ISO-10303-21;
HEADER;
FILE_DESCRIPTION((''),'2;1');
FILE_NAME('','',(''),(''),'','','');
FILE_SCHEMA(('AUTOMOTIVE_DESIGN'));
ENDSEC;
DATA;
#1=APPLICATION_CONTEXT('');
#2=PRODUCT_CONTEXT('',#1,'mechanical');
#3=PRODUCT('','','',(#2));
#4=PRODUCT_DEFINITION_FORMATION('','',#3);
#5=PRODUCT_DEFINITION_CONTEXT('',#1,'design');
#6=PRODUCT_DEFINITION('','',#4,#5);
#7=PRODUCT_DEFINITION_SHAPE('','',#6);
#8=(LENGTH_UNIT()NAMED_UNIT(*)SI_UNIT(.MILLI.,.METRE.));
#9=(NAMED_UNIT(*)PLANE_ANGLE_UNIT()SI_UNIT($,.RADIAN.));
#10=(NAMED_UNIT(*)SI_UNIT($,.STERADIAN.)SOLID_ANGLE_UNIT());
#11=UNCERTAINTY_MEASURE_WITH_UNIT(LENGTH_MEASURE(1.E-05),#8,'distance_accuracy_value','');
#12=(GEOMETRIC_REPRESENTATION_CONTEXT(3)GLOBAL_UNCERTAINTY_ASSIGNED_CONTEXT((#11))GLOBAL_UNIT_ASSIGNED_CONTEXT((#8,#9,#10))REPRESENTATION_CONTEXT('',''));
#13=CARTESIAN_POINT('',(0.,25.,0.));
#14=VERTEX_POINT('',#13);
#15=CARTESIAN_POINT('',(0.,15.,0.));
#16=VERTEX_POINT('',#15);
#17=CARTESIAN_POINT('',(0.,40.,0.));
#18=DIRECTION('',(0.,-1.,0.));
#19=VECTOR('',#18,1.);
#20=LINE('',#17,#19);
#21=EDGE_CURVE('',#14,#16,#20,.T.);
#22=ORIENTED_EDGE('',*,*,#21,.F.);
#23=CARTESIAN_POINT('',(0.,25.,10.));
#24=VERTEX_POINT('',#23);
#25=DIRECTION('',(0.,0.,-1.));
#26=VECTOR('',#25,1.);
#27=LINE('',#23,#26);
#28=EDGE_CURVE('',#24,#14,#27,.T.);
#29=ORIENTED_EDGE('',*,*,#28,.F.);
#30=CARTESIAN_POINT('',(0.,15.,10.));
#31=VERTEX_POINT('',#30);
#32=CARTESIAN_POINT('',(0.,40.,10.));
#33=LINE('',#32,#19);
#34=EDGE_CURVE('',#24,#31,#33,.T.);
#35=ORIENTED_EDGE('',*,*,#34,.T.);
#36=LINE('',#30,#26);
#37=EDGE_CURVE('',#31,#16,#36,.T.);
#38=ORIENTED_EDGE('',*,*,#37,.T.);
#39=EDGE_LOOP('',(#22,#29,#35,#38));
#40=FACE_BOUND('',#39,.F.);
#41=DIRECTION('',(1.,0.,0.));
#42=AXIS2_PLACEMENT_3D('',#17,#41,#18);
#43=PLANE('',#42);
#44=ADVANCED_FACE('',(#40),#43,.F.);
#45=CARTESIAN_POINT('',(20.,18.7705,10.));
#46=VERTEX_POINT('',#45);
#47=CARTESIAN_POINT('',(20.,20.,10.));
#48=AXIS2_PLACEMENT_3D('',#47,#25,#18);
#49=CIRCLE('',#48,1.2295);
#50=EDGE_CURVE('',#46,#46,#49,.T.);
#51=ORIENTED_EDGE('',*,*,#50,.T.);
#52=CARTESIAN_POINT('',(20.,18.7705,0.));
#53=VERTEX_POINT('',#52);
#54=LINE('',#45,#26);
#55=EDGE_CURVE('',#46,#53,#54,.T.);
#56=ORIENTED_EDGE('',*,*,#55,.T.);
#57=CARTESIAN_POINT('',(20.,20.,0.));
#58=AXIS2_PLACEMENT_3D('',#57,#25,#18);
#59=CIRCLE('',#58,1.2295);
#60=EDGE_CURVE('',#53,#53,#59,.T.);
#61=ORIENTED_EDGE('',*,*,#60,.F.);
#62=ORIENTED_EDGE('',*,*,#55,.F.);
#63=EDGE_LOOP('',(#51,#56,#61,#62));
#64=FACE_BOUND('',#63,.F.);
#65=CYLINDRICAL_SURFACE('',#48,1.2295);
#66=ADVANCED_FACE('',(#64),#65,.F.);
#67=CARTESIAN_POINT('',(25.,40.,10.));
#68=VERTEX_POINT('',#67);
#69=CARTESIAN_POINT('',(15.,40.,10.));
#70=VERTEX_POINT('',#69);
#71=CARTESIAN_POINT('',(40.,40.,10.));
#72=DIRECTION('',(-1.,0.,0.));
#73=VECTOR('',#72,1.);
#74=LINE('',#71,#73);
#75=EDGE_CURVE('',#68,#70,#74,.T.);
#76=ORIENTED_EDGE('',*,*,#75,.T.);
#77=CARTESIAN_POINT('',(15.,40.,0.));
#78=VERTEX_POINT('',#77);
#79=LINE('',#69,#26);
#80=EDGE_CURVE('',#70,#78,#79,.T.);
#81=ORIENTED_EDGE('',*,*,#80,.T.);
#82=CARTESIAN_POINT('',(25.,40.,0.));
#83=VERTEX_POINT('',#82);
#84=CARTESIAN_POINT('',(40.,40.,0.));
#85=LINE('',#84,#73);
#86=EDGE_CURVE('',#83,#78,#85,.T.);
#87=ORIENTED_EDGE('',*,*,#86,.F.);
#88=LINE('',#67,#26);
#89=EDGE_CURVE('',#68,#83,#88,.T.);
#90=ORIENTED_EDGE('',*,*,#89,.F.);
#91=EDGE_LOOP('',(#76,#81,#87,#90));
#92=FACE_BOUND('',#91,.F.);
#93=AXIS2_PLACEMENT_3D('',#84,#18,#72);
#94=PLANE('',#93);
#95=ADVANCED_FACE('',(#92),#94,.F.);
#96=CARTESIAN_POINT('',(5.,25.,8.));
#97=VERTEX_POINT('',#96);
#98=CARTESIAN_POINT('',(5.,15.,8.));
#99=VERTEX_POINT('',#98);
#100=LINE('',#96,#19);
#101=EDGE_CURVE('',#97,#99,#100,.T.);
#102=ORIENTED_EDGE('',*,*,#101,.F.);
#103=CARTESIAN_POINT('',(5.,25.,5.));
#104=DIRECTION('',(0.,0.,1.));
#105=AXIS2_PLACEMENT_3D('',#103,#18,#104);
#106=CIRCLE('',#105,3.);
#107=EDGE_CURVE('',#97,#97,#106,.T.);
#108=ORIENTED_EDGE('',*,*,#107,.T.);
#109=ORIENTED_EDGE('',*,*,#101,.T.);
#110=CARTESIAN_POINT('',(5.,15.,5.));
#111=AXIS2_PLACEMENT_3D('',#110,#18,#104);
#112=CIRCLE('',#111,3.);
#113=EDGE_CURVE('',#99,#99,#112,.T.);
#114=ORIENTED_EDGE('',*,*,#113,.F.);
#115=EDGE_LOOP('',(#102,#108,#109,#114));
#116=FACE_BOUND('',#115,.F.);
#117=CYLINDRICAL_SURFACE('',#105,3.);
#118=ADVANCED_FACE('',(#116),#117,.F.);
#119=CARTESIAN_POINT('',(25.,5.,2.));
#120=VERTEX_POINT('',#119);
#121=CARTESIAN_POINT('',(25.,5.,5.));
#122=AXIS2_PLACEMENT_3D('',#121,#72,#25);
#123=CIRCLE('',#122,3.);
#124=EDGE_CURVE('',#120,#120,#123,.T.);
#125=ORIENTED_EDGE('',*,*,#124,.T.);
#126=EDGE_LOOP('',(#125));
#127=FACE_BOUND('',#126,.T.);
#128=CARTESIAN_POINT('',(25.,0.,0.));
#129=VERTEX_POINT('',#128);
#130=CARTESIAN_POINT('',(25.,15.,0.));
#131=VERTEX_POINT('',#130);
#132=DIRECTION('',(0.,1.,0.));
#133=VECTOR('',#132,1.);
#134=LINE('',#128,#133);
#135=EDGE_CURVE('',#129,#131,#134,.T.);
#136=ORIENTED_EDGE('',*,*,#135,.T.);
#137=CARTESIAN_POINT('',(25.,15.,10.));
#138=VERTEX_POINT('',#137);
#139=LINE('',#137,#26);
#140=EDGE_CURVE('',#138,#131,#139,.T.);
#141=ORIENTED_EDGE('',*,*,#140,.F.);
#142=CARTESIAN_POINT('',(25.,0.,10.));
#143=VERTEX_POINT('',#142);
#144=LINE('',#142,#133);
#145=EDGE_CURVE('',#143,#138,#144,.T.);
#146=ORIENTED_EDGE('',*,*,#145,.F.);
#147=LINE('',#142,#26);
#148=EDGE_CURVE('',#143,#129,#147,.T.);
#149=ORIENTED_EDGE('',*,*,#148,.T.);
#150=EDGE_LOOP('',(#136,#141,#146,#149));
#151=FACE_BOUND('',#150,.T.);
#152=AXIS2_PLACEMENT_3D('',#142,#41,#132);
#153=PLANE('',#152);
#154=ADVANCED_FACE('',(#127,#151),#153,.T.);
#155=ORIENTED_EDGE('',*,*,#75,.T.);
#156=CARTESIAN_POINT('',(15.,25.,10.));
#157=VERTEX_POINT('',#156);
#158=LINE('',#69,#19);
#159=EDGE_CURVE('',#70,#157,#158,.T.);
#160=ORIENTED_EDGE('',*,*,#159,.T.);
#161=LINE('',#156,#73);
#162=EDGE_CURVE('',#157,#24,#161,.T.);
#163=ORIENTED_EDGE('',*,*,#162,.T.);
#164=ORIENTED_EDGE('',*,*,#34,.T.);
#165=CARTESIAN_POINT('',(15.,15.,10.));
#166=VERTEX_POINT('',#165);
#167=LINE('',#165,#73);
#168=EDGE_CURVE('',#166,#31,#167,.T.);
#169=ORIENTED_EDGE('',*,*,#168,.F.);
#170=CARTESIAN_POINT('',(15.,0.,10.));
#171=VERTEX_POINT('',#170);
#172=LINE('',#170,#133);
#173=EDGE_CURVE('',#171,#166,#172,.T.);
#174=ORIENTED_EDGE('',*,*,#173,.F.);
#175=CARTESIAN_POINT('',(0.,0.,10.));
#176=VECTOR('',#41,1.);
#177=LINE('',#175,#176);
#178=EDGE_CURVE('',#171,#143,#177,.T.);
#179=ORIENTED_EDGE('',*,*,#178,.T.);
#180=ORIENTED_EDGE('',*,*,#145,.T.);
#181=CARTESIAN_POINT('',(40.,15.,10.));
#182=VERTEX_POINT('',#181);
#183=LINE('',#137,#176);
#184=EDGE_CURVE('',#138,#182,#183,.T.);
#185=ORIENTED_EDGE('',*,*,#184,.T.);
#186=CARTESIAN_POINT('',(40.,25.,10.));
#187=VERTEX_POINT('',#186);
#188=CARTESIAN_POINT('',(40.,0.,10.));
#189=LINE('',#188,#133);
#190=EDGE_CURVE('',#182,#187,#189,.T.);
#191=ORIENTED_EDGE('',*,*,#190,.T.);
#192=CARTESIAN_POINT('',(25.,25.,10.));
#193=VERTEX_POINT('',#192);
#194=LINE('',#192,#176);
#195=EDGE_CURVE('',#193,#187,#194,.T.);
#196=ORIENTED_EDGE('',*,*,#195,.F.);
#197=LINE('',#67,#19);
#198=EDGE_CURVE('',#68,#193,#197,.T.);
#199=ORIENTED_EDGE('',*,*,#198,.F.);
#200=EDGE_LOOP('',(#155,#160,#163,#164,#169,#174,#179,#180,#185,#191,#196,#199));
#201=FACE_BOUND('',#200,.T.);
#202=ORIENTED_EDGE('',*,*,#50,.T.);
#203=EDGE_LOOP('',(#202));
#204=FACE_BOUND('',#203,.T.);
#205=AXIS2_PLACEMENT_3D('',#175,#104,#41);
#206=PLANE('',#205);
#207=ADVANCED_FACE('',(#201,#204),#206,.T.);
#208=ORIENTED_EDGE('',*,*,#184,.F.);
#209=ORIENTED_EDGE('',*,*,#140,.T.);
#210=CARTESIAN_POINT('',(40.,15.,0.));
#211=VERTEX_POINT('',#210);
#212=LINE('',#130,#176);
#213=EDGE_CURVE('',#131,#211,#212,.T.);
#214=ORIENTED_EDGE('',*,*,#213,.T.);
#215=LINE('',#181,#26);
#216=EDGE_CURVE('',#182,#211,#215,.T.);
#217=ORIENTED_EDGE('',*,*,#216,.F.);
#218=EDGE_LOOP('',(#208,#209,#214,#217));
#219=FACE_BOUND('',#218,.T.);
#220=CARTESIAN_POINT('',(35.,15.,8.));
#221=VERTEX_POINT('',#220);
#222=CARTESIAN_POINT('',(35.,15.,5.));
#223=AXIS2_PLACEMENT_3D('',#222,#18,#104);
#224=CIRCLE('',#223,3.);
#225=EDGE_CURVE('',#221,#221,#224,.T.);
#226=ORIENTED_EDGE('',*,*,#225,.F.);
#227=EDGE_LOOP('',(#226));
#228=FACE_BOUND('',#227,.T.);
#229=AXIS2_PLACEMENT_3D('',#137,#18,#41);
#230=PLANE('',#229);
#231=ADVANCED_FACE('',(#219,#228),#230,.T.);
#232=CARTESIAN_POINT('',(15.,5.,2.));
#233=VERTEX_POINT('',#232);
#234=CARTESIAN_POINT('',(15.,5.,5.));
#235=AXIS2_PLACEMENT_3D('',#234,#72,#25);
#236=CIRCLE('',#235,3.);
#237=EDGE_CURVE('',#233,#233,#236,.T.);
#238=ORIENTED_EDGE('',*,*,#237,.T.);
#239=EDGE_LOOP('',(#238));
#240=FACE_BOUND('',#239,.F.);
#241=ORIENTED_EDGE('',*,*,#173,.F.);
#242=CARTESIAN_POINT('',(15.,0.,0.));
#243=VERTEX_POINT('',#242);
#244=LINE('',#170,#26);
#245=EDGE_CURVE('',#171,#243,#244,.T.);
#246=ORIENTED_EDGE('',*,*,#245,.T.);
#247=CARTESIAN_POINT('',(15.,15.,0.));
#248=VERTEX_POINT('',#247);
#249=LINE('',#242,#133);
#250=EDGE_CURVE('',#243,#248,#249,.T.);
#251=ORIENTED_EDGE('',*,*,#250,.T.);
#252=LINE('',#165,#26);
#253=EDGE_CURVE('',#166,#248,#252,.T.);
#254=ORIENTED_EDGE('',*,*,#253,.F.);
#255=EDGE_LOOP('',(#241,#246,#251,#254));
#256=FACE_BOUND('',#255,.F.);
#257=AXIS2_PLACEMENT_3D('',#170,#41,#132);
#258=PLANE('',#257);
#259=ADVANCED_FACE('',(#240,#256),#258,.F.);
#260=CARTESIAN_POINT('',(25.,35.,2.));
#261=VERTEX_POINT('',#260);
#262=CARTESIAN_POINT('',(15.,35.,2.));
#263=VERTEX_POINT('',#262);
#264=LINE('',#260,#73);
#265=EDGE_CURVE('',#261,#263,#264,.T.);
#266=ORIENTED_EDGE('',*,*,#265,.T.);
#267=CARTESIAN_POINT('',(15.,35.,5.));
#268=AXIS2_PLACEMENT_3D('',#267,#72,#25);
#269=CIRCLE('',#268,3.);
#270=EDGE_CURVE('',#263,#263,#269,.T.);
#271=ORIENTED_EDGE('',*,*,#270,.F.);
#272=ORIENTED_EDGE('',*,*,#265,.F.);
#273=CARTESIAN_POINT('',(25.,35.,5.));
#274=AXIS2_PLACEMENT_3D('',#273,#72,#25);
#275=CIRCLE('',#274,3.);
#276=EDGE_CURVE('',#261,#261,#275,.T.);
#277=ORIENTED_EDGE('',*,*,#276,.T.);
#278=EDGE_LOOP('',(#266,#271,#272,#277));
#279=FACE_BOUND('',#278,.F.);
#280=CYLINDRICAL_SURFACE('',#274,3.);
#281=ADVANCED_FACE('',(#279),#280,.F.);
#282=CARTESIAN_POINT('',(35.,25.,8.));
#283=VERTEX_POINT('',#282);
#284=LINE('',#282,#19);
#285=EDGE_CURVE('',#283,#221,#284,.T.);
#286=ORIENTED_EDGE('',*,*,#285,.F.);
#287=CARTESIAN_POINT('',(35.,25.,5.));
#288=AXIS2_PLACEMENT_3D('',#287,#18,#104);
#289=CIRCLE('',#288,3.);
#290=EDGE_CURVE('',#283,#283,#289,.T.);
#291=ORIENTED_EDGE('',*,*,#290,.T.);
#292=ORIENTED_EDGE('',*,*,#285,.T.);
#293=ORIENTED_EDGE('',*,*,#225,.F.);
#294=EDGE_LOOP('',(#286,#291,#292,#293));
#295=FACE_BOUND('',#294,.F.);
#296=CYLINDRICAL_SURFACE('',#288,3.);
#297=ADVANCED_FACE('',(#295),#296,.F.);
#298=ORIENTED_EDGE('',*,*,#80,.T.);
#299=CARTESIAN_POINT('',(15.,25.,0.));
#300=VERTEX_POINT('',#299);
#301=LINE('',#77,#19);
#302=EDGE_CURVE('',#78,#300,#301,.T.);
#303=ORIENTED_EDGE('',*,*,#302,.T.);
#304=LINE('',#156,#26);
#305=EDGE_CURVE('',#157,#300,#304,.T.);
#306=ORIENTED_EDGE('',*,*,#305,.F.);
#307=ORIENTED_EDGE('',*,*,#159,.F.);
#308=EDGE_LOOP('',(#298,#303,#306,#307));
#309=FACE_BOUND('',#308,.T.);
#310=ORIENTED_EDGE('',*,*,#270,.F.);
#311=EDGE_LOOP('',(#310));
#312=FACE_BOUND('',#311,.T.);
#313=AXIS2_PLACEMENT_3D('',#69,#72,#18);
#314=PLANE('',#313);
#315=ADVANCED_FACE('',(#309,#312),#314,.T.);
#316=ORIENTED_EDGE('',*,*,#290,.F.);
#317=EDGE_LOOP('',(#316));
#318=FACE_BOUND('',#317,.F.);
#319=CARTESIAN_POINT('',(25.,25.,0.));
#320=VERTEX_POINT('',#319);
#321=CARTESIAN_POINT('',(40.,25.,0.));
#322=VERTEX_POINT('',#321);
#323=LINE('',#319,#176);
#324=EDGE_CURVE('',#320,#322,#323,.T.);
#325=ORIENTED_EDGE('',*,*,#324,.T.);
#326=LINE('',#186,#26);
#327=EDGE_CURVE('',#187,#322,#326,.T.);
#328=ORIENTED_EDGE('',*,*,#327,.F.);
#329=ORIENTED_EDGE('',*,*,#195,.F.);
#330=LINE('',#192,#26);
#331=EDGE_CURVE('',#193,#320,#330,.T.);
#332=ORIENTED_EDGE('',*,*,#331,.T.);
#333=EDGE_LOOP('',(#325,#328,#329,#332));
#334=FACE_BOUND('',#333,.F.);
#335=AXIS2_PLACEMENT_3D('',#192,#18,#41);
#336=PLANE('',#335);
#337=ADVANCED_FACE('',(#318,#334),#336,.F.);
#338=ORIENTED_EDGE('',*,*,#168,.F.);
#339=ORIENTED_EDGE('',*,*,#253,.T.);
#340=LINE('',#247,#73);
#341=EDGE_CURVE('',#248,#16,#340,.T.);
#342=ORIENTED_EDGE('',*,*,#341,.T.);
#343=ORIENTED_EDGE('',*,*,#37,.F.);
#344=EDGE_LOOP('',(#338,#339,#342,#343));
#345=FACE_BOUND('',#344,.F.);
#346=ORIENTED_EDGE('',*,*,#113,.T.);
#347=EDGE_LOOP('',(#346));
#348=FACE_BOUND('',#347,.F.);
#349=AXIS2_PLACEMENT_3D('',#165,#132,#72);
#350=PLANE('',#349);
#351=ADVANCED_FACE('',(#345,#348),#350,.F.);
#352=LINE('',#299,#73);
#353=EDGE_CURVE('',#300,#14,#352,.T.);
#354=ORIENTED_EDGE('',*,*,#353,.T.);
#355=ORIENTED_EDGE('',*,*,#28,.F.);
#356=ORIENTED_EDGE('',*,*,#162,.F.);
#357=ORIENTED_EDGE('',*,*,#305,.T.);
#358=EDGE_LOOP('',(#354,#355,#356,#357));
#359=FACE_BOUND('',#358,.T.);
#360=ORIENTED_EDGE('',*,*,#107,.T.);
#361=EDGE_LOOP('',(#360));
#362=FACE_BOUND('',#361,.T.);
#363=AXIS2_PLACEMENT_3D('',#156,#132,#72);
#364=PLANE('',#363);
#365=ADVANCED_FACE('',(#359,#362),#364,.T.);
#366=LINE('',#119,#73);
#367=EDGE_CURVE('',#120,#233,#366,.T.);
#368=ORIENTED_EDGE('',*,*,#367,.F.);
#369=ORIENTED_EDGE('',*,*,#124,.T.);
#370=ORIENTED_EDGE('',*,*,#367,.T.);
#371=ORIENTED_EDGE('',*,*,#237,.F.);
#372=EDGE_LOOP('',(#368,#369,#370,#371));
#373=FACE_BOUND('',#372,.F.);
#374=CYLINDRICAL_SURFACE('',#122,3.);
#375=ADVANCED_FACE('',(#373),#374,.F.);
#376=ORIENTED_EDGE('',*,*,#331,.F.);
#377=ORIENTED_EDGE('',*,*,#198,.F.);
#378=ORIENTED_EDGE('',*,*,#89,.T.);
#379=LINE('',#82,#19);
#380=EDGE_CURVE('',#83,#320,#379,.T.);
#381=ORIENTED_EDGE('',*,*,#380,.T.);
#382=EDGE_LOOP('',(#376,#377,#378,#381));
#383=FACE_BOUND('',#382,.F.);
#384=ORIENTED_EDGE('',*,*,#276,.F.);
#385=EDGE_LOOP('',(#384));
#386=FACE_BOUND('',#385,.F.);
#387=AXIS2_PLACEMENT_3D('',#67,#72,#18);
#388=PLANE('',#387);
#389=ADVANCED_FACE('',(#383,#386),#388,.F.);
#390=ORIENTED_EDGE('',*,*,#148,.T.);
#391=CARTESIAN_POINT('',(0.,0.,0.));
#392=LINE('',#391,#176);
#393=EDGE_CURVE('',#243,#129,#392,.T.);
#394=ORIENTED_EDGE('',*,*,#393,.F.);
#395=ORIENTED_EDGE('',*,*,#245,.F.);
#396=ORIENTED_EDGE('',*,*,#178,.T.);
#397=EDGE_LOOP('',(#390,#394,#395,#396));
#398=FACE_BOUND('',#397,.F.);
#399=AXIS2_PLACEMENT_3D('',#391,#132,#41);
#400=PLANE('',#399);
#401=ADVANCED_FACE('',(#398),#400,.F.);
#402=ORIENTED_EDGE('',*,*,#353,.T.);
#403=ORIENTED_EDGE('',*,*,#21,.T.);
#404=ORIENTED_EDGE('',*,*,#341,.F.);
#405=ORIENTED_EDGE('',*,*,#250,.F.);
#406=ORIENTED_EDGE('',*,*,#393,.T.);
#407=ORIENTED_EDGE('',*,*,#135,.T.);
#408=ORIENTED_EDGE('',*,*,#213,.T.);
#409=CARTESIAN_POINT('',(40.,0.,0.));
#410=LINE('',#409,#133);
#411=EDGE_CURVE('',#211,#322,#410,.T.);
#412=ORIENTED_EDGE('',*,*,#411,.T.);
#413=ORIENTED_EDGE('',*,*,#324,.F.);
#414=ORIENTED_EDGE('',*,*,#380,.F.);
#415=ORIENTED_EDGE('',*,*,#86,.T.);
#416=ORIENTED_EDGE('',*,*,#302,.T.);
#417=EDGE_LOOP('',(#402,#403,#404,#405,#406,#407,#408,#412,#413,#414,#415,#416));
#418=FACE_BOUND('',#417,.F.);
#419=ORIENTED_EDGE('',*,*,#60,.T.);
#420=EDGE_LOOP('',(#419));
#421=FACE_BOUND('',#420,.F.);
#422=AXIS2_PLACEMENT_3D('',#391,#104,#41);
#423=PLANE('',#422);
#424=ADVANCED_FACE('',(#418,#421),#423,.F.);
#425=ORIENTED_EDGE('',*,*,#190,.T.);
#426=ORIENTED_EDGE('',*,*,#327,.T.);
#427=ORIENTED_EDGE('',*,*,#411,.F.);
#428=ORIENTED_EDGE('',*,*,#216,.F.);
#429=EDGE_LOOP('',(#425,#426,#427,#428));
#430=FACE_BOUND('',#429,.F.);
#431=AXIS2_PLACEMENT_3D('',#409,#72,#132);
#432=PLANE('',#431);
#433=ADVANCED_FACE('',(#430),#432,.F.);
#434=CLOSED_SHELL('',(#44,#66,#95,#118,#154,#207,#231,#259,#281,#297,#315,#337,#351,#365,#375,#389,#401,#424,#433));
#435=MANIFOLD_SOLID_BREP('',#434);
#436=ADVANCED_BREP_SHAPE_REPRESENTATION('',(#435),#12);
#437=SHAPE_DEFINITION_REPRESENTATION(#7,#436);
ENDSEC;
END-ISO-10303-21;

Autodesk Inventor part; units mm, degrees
ref_plane "YZ Plane" through (0, 0, 0) normal (1, 0, 0) x (0, 1, 0)
ref_plane "XZ Plane" through (0, 0, 0) normal (0, 1, 0) x (-1, 0, 0)
ref_plane "XY Plane" through (0, 0, 0) normal (0, 0, 1) x (1, 0, 0)
sketch "スケッチ1" plane through (0, 0, 0) normal (0, 0, 1) x (1, 0, 0)
  line L0 (0, 0) -> (40, 0)
  line L1 (40, 0) -> (40, 40)
  line L2 (40, 40) -> (0, 40)
  line L3 (0, 40) -> (0, 0)
  dimension "d0" = 40
  dimension "d1" = 40
extrude "押し出し1" add sketch "スケッチ1" along normal blind 10
sketch "スケッチ2" plane through (0, 0, 10) normal (0, 0, 1) x (1, 0, 0)
  line L0 (40, 40) -> (0, 40) projected
  line L1 (40, 40) -> (25, 40)
  line L2 (25, 40) -> (25, 25)
  line L3 (25, 25) -> (40, 25)
  line L4 (40, 25) -> (40, 40)
  point P0 (0, 0)
  point P1 (25, 40)
  dimension "d4" = 15
  dimension "d5" = 15
extrude "押し出し2" cut sketch "スケッチ2" against normal blind 10
sketch "スケッチ3" plane through (0, 0, 10) normal (0, 0, 1) x (1, 0, 0)
  line L0 (0, 40) -> (15, 40)
  line L1 (15, 40) -> (15, 25)
  line L2 (15, 25) -> (0, 25)
  line L3 (0, 25) -> (0, 40)
  line L4 (0, 0) -> (40, 0) projected
  line L5 (0, 0) -> (15, 0)
  line L6 (15, 0) -> (15, 15)
  line L7 (15, 15) -> (0, 15)
  line L8 (0, 15) -> (0, 0)
  line L9 (40, 0) -> (25, 0)
  line L10 (25, 0) -> (25, 15)
  line L11 (25, 15) -> (40, 15)
  line L12 (40, 15) -> (40, 0)
  point P0 (25, 0)
  dimension "d8" = 15
  dimension "d9" = 15
  dimension "d10" = 15
  dimension "d11" = 15
  dimension "d12" = 15
  dimension "d13" = 15
extrude "押し出し3" cut sketch "スケッチ3" against normal blind 10
sketch "スケッチ4" plane through (25, 25, 10) normal (1, 0, 0) x (0, 0, -1)
  line L0 (0, 15) -> (10, 15) projected
  line L1 (10, 15) -> (10, 0) projected
  line L2 (10, -10) -> (10, -25) projected
  line L3 (10, -25) -> (0, -25) projected
  point P0 (5, 10)
  point P1 (5, -20)
  dimension "d16" = 5
  dimension "d17" = 5
  dimension "d18" = 5
  dimension "d19" = 5
hole "穴1" at (25, 35, 5) at (25, 5, 5) direction (-1, 0, 0) diameter 6 end through all
sketch "スケッチ5" plane through (0, 25, 10) normal (0, 1, 0) x (1, 0, 0)
  line L0 (0, 10) -> (15, 10) projected
  line L1 (0, 0) -> (0, 10) projected
  line L2 (25, 10) -> (40, 10) projected
  line L3 (40, 10) -> (40, 0) projected
  point P0 (5, 5)
  point P1 (35, 5)
  dimension "d27" = 5
  dimension "d28" = 5
  dimension "d29" = 5
  dimension "d30" = 5
hole "穴2" at (5, 25, 5) at (35, 25, 5) direction (0, -1, 0) diameter 6 end through all
sketch "スケッチ6" plane through (0, 0, 10) normal (0, 0, 1) x (1, 0, 0)
  line L0 (40, 15) -> (40, 25) projected
  line L1 (25, 40) -> (15, 40) projected
  point P0 (0, 0)
  point P1 (20, 20)
  dimension "d38" = 20
  dimension "d39" = 20
hole "穴3" at (20, 20, 10) direction (0, 0, -1) diameter 2.459 end through all thread size "M3x0.5" class "6H" standard "ISO Metric profile"
properties part number "シリンダ先端パーツ"
